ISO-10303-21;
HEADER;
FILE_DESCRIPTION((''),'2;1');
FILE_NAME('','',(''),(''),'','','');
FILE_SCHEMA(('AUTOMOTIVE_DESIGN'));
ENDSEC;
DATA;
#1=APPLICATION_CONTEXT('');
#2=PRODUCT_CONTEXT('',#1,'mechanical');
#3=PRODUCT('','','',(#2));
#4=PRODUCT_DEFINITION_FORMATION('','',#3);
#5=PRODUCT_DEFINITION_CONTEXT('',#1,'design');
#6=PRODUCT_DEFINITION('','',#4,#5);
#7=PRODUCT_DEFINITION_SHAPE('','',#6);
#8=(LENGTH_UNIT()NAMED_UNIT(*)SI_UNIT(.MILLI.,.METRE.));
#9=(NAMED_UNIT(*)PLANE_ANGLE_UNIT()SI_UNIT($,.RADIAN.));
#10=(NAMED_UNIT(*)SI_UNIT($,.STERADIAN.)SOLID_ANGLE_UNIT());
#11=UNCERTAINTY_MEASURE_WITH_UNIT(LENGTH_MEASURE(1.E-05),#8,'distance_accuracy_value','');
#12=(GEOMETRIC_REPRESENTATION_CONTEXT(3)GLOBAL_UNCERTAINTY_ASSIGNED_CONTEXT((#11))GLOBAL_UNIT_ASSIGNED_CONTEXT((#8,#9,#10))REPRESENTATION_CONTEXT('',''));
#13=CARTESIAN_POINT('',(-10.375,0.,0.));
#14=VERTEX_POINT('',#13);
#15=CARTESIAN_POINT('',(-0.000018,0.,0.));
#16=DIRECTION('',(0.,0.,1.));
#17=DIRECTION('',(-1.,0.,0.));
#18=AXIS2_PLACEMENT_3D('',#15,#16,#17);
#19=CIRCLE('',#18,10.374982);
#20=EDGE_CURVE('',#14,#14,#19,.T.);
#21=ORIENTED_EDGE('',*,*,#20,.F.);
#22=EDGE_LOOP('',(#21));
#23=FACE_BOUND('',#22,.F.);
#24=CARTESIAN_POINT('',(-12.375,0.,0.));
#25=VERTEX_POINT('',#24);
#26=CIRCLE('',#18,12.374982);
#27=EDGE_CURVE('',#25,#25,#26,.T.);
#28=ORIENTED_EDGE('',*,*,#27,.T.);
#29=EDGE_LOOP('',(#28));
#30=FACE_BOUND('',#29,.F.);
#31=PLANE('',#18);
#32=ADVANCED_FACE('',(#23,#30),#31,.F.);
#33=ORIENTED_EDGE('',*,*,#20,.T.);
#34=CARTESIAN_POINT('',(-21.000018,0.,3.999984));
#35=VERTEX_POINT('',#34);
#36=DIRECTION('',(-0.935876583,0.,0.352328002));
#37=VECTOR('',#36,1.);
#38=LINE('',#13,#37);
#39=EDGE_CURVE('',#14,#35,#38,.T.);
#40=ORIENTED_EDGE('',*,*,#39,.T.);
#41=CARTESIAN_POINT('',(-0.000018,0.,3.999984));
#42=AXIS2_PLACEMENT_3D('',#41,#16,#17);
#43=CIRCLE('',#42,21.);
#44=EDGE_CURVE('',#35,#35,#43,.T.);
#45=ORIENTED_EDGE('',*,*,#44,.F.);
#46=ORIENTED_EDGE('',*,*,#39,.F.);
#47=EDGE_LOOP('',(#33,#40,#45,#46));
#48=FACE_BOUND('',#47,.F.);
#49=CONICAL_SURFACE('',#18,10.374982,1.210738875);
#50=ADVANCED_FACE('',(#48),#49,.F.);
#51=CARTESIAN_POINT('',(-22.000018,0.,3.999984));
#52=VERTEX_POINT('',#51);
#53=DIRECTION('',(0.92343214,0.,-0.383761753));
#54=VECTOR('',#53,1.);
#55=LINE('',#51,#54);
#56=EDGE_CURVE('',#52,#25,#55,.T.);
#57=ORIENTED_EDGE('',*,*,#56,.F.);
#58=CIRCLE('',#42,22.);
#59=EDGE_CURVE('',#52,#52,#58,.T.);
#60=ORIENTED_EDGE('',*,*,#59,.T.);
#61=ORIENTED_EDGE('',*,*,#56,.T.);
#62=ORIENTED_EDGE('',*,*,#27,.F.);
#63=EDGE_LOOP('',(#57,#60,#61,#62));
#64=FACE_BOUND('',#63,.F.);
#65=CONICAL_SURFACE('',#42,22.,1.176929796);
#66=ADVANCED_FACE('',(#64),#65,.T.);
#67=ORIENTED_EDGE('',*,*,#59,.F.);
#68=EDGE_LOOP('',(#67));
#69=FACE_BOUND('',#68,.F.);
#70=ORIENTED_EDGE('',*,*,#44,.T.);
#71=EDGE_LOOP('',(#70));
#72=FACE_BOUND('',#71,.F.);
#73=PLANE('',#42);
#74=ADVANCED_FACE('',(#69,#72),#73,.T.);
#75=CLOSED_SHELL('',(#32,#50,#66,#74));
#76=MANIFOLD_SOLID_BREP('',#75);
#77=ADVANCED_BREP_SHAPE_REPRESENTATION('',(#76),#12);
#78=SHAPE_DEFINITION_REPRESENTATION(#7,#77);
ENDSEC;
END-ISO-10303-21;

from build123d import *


with BuildPart() as f1:
    # F0 (on Front) → F1 (revolve)
    with BuildSketch(Plane.XZ):
        Polygon((-10.375, 0), (-21.000018, 3.999984), (-22.000018, 3.999984), (-12.375, 0), align=None)
    revolve(axis=Axis((-1.8e-05, 0, 1.999984), (0, 0, 1)))


solid = f1.part
